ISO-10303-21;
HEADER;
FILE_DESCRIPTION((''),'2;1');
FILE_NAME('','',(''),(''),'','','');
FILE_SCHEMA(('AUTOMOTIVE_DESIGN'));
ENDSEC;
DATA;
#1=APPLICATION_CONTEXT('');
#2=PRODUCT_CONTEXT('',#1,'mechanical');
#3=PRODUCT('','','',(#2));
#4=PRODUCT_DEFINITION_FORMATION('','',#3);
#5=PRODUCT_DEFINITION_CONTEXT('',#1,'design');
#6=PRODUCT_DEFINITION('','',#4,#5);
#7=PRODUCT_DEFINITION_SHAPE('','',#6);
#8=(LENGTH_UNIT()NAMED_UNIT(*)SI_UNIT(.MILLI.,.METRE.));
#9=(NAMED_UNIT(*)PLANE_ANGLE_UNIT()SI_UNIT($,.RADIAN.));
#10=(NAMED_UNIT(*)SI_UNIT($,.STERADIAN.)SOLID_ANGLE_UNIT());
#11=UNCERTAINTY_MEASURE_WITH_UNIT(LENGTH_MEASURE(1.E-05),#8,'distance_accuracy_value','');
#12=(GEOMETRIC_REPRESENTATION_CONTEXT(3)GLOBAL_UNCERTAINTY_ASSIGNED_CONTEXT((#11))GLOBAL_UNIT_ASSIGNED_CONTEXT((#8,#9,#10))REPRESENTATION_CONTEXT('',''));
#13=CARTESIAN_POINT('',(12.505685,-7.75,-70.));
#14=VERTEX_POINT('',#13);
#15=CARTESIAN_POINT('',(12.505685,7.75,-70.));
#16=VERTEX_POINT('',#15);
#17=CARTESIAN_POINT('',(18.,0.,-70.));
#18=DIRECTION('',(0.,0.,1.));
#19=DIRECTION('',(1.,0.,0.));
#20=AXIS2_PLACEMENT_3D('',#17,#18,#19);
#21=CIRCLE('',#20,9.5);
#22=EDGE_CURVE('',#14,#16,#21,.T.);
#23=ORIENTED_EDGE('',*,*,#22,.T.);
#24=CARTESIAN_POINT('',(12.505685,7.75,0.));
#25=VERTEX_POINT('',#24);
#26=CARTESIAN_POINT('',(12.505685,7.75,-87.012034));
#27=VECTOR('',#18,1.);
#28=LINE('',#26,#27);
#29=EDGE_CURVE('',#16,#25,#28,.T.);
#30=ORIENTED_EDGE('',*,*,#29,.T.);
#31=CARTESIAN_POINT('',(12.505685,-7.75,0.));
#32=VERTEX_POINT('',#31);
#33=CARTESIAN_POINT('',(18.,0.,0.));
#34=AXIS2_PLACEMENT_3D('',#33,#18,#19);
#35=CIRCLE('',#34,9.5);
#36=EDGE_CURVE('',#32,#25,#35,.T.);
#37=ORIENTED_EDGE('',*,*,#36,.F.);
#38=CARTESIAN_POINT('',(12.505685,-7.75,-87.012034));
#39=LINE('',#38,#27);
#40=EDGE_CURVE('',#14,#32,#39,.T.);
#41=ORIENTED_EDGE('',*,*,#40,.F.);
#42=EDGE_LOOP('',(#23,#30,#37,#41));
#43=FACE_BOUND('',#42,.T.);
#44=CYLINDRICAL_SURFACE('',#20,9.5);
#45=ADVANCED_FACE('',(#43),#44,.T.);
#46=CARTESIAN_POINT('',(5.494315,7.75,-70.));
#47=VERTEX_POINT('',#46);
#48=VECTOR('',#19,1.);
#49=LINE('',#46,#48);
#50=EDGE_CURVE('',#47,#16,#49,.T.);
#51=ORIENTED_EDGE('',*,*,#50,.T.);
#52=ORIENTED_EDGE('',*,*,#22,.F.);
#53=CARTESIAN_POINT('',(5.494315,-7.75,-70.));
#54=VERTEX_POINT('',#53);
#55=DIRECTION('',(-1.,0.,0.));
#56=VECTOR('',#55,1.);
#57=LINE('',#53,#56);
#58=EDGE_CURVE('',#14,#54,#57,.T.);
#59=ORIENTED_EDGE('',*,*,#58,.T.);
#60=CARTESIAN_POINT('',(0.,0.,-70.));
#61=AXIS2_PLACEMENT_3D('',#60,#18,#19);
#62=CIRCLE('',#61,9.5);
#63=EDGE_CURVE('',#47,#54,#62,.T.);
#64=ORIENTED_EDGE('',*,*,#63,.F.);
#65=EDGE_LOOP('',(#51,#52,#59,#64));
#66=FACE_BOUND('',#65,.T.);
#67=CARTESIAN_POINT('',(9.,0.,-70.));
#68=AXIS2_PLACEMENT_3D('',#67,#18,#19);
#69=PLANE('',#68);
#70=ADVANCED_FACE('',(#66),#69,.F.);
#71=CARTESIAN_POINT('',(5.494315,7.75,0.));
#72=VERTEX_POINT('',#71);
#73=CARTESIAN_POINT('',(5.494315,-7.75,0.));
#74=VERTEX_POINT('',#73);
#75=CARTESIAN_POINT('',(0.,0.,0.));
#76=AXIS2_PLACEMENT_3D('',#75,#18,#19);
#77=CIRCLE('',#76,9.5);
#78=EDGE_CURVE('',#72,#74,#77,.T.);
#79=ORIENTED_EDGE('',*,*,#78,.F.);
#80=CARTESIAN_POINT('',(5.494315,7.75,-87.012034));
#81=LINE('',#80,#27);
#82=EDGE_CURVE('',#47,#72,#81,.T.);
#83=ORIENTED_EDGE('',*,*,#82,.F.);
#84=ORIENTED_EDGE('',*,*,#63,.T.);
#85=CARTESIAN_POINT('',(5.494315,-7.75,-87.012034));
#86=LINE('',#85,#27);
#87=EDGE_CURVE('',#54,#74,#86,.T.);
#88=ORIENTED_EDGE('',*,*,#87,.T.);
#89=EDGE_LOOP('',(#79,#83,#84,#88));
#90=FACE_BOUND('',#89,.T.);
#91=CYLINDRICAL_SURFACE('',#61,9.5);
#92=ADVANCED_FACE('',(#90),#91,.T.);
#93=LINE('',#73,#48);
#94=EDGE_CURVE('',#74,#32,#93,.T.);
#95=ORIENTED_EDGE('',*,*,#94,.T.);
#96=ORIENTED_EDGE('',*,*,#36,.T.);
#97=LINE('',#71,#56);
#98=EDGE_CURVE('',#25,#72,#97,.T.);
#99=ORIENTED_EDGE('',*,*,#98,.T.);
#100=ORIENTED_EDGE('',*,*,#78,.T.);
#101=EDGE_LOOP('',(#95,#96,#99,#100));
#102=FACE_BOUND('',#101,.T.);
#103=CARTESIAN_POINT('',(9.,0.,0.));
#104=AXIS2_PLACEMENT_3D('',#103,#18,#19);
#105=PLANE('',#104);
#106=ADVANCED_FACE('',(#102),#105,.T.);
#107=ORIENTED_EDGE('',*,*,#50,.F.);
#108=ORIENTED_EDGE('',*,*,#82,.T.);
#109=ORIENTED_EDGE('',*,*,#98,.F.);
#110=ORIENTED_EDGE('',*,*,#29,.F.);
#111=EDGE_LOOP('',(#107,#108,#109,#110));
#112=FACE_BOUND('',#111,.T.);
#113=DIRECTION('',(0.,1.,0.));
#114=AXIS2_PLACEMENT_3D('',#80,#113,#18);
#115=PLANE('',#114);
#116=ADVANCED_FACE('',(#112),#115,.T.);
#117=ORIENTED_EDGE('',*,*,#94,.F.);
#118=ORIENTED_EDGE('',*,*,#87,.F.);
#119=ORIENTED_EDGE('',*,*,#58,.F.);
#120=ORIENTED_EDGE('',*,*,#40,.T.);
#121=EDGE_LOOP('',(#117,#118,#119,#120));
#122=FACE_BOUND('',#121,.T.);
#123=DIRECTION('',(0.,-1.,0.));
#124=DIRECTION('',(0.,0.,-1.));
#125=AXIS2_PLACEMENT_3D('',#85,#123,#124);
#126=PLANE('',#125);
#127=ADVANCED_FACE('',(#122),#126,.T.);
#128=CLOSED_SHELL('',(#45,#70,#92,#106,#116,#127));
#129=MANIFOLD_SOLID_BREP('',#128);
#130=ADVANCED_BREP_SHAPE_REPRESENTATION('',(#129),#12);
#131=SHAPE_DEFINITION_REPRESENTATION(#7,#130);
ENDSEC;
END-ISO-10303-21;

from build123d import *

# Parameters (mm, degrees)
BOSS_EXTRUDE1_DEPTH = 70
SKETCH2_W           = 7.011369512
SKETCH2_H           = 15.5
BOSS_EXTRUDE2_DEPTH = 70


with BuildPart() as part:
    # Sketch1 → Boss-Extrude1 (new body)
    with BuildSketch(Plane.XY):
        with BuildLine():
            ThreePointArc((9, 3.041381265), (-9.5, 0), (9, -3.041381265))
            ThreePointArc((9, -3.041381265), (27.5, 0), (9, 3.041381265))
        make_face()
    extrude(amount=-BOSS_EXTRUDE1_DEPTH)

    # Sketch2 → Boss-Extrude2 (add)
    with BuildSketch(Plane.XY):
        with Locations((9, 0)):
            Rectangle(SKETCH2_W, SKETCH2_H)
    extrude(amount=-BOSS_EXTRUDE2_DEPTH)


solid = part.part
